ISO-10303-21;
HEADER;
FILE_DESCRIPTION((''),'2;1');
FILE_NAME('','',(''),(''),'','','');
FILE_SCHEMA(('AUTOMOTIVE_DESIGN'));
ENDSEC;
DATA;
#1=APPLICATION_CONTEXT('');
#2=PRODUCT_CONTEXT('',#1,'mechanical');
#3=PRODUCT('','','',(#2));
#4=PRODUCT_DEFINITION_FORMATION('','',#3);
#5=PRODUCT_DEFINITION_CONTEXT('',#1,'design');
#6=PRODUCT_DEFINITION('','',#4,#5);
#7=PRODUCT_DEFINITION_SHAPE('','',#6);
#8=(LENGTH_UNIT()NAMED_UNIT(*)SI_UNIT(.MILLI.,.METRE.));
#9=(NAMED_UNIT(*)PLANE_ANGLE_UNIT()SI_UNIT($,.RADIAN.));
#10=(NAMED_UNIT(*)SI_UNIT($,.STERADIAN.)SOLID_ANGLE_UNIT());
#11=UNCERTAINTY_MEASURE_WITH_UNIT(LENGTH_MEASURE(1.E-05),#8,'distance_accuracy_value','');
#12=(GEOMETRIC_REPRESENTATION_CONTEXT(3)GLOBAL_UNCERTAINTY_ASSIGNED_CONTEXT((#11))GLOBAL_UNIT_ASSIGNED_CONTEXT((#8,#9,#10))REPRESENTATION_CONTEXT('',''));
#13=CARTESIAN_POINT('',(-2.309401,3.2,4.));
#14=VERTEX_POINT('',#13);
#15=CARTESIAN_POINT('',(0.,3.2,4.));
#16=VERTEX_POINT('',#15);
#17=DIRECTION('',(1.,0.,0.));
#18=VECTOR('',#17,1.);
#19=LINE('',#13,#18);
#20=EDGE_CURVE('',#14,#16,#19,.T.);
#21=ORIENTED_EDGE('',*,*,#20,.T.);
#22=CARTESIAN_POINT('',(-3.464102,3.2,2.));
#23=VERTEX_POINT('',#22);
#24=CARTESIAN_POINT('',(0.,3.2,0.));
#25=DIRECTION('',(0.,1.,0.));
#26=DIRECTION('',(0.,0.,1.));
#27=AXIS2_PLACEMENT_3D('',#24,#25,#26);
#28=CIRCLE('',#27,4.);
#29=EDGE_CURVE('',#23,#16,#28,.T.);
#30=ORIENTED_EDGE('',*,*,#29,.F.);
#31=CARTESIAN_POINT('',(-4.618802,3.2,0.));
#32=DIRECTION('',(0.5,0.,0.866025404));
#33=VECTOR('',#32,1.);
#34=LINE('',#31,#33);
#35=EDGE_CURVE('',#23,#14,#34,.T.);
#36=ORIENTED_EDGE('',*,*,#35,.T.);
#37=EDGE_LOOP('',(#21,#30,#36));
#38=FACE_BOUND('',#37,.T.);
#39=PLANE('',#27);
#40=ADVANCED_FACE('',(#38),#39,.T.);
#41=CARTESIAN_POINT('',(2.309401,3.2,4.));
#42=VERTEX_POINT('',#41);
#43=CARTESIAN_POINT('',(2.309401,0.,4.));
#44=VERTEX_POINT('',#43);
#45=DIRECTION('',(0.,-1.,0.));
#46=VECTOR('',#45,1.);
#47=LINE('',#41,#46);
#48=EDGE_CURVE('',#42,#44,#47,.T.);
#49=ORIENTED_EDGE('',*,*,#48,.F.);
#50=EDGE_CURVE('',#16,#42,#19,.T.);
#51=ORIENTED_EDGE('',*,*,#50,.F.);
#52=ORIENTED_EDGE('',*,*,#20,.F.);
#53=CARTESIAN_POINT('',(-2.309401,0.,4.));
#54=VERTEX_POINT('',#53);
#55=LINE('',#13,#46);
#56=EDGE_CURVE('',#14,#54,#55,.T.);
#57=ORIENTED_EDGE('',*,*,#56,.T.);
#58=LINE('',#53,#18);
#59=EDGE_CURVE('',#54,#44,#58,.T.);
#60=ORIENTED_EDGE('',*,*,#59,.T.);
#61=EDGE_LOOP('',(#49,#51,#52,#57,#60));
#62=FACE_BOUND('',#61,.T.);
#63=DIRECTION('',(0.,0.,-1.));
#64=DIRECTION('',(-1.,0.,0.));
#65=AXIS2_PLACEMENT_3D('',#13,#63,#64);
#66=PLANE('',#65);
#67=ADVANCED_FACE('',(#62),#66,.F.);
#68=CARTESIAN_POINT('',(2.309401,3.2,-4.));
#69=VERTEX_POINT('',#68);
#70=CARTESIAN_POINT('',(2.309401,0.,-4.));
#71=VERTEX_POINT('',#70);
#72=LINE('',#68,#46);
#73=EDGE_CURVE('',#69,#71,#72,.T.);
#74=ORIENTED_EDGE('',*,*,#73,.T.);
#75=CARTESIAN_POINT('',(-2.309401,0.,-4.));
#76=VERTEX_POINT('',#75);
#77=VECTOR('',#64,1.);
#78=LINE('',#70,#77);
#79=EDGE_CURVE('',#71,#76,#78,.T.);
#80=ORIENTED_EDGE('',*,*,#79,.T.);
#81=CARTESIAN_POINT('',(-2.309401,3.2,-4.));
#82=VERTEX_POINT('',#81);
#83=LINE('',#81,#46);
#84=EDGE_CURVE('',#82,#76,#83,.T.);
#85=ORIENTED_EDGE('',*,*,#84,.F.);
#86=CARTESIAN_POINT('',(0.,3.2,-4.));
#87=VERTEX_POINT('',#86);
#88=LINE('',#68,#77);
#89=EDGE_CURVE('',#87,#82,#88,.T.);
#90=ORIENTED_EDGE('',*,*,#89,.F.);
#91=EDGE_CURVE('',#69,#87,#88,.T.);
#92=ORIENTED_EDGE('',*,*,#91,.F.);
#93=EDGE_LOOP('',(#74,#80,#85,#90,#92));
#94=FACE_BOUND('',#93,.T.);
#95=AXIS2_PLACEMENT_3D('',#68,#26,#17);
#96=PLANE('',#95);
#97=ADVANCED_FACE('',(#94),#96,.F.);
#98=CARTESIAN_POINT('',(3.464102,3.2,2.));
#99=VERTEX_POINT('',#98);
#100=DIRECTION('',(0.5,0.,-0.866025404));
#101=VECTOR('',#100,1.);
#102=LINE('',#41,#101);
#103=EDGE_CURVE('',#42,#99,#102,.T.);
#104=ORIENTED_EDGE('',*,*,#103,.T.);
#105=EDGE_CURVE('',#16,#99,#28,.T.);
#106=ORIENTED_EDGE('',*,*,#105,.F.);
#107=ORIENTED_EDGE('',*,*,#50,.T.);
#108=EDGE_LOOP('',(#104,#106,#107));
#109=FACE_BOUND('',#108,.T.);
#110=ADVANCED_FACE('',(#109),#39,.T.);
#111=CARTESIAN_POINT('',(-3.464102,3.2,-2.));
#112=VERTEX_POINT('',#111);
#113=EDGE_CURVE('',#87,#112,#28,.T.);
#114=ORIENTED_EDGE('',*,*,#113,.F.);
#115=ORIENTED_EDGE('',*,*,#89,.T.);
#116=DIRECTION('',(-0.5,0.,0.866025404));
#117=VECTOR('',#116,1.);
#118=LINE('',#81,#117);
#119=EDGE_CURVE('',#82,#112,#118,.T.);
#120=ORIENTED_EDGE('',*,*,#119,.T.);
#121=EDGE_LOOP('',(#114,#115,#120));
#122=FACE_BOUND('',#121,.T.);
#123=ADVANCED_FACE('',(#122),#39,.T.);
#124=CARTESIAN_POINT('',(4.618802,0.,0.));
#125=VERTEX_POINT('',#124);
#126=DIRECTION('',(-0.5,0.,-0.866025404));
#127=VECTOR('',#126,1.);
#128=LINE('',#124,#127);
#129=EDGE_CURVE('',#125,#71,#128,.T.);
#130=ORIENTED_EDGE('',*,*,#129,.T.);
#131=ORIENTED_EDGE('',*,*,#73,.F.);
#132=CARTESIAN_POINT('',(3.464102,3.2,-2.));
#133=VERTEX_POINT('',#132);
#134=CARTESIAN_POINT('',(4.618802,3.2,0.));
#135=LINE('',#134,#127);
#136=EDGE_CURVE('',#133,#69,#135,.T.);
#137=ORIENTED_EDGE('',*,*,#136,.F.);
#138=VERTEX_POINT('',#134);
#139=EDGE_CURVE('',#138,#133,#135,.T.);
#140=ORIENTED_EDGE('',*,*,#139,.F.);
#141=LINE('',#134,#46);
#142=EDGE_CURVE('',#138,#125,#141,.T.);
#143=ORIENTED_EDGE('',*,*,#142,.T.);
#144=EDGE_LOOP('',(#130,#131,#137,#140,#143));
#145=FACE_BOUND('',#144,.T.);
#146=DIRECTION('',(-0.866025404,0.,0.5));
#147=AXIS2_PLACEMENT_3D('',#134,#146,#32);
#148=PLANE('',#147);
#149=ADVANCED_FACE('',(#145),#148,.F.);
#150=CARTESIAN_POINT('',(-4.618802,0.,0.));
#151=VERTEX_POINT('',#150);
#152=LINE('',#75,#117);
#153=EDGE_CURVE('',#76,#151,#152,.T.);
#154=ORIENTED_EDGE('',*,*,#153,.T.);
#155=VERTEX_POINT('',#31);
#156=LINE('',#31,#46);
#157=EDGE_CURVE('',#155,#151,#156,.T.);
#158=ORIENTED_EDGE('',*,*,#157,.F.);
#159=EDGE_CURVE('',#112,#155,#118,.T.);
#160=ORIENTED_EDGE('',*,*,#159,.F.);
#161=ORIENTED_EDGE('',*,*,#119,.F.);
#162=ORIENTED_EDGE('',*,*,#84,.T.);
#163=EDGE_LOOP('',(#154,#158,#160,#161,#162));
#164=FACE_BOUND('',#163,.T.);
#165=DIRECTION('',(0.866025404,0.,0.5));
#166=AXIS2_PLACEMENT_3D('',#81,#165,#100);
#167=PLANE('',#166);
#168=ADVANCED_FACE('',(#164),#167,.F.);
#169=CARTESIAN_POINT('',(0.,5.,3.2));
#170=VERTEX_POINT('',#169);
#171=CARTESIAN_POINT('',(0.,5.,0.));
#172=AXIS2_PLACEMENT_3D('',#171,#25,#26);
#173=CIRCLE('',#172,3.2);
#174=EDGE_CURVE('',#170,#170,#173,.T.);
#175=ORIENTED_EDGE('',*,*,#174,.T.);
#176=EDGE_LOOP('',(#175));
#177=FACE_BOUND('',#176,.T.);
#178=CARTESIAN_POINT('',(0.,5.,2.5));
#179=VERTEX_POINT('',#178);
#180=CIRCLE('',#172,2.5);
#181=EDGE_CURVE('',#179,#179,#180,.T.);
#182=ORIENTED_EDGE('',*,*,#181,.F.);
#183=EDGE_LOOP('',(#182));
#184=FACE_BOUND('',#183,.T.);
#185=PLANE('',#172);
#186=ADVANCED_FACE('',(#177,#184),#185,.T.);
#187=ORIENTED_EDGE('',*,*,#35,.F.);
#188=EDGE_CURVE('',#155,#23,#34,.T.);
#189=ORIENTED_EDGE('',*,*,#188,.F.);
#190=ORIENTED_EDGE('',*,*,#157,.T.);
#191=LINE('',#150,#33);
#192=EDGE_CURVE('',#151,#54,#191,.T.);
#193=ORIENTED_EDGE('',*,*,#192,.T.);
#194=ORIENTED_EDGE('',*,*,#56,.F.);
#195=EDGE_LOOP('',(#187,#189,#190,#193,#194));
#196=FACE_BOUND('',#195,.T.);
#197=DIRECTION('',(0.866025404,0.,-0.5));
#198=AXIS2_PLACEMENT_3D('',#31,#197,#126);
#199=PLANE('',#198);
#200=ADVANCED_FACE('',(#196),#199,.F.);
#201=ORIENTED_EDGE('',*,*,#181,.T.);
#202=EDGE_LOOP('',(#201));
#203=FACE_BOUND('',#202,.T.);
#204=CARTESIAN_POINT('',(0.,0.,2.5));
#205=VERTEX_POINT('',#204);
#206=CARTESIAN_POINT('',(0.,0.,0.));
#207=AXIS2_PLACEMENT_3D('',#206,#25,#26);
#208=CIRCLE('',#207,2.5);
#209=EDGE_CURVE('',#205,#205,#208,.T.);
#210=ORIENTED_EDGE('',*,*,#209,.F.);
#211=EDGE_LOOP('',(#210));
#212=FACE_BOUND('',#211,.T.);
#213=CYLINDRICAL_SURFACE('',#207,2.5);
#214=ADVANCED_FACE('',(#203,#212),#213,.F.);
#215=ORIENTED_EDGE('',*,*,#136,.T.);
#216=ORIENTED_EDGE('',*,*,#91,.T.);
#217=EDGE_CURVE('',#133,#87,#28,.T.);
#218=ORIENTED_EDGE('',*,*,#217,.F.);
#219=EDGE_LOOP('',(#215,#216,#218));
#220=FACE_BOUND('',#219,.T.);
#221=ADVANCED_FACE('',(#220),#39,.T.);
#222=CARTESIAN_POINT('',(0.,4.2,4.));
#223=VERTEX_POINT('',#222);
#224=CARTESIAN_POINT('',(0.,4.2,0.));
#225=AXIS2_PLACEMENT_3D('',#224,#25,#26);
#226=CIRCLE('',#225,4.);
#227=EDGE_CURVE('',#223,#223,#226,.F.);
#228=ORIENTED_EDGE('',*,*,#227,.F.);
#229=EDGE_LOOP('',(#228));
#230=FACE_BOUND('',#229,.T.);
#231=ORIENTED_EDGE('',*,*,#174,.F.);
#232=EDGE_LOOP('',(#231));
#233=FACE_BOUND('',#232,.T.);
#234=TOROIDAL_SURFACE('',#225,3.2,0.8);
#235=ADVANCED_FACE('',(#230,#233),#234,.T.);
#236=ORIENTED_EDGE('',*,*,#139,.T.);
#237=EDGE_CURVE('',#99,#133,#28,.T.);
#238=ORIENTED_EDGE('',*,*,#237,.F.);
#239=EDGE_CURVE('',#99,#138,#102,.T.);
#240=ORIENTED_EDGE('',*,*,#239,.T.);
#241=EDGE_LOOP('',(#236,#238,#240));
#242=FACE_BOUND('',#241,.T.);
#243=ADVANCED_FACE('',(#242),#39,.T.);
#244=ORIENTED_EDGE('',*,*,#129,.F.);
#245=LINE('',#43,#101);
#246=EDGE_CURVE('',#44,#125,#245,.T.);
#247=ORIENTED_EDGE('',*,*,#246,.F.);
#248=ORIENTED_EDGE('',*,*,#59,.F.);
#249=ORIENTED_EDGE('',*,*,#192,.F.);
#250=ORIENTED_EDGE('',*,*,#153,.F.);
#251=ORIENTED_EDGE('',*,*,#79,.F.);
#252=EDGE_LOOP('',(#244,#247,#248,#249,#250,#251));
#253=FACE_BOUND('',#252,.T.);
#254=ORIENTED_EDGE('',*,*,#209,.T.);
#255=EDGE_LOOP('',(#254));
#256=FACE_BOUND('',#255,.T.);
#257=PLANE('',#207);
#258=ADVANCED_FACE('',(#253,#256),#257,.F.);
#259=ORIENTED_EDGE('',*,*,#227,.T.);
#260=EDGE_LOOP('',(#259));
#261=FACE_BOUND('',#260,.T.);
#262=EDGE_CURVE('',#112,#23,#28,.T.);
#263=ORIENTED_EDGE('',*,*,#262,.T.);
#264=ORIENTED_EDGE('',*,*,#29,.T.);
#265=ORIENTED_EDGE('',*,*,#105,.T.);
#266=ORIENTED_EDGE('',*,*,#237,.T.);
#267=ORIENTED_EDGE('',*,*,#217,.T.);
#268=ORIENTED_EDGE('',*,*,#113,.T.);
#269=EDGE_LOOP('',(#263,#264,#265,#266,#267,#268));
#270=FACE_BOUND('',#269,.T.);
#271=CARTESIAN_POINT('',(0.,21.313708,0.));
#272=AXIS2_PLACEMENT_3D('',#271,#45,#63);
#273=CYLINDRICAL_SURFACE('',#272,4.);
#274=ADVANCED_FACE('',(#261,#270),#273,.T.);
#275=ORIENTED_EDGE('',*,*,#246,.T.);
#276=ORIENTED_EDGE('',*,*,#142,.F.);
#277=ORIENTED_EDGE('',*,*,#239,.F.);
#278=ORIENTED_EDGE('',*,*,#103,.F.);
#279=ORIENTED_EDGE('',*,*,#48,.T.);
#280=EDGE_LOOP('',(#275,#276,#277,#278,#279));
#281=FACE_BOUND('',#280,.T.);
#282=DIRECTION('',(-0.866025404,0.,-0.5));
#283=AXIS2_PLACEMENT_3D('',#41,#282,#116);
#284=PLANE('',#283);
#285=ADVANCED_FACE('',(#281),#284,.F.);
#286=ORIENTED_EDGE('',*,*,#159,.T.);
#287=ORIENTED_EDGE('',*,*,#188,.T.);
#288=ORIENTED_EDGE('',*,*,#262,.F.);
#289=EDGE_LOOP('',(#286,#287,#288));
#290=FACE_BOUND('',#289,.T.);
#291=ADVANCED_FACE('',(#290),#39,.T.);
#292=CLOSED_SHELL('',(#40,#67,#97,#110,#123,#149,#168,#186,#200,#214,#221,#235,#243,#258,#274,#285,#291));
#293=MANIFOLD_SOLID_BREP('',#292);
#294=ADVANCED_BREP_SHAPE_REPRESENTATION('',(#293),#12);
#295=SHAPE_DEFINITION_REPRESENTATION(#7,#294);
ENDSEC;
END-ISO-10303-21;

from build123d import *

# Parameters (mm, degrees)
BOSS_EXTRUDE1_DEPTH = 3.2
SKETCH2_R           = 4
BOSS_EXTRUDE2_DEPTH = 1.8
SKETCH3_R           = 2.5
CUT_EXTRUDE1_DEPTH  = 8.895146188
FILLET1_R           = 0.8


with BuildPart() as part:
    # Sketch1 → Boss-Extrude1 (new body)
    with BuildSketch(Plane(origin=(0, 0, 0), x_dir=(1, 0, 0), z_dir=(0, 1, 0))):
        Polygon((4.618802154, 0), (2.309401077, 4), (-2.309401077, 4), (-4.618802154, 0), (-2.309401077, -4), (2.309401077, -4), align=None)
    extrude(amount=BOSS_EXTRUDE1_DEPTH)

    # Sketch2 → Boss-Extrude2 (add)
    with BuildSketch(Plane(origin=(0, 3.2, 0), x_dir=(1, 0, 0), z_dir=(0, 1, 0))):
        with Locations(Location((0, 0, 0), (0, 0, 270))):
            Circle(SKETCH2_R)
    extrude(amount=BOSS_EXTRUDE2_DEPTH)

    # Sketch3 → Cut-Extrude1 (cut, through all)
    with BuildSketch(Plane(origin=(0, 5, 0), x_dir=(1, 0, 0), z_dir=(0, 1, 0))):
        with Locations(Location((0, 0, 0), (0, 0, 270))):
            Circle(SKETCH3_R)
    extrude(amount=-CUT_EXTRUDE1_DEPTH, mode=Mode.SUBTRACT)

    # Fillet1
    fillet1_edges = [part.edges().sort_by_distance(p)[0] for p in [
        (0, 5, -4),
    ]]
    fillet(fillet1_edges, radius=FILLET1_R)


solid = part.part
